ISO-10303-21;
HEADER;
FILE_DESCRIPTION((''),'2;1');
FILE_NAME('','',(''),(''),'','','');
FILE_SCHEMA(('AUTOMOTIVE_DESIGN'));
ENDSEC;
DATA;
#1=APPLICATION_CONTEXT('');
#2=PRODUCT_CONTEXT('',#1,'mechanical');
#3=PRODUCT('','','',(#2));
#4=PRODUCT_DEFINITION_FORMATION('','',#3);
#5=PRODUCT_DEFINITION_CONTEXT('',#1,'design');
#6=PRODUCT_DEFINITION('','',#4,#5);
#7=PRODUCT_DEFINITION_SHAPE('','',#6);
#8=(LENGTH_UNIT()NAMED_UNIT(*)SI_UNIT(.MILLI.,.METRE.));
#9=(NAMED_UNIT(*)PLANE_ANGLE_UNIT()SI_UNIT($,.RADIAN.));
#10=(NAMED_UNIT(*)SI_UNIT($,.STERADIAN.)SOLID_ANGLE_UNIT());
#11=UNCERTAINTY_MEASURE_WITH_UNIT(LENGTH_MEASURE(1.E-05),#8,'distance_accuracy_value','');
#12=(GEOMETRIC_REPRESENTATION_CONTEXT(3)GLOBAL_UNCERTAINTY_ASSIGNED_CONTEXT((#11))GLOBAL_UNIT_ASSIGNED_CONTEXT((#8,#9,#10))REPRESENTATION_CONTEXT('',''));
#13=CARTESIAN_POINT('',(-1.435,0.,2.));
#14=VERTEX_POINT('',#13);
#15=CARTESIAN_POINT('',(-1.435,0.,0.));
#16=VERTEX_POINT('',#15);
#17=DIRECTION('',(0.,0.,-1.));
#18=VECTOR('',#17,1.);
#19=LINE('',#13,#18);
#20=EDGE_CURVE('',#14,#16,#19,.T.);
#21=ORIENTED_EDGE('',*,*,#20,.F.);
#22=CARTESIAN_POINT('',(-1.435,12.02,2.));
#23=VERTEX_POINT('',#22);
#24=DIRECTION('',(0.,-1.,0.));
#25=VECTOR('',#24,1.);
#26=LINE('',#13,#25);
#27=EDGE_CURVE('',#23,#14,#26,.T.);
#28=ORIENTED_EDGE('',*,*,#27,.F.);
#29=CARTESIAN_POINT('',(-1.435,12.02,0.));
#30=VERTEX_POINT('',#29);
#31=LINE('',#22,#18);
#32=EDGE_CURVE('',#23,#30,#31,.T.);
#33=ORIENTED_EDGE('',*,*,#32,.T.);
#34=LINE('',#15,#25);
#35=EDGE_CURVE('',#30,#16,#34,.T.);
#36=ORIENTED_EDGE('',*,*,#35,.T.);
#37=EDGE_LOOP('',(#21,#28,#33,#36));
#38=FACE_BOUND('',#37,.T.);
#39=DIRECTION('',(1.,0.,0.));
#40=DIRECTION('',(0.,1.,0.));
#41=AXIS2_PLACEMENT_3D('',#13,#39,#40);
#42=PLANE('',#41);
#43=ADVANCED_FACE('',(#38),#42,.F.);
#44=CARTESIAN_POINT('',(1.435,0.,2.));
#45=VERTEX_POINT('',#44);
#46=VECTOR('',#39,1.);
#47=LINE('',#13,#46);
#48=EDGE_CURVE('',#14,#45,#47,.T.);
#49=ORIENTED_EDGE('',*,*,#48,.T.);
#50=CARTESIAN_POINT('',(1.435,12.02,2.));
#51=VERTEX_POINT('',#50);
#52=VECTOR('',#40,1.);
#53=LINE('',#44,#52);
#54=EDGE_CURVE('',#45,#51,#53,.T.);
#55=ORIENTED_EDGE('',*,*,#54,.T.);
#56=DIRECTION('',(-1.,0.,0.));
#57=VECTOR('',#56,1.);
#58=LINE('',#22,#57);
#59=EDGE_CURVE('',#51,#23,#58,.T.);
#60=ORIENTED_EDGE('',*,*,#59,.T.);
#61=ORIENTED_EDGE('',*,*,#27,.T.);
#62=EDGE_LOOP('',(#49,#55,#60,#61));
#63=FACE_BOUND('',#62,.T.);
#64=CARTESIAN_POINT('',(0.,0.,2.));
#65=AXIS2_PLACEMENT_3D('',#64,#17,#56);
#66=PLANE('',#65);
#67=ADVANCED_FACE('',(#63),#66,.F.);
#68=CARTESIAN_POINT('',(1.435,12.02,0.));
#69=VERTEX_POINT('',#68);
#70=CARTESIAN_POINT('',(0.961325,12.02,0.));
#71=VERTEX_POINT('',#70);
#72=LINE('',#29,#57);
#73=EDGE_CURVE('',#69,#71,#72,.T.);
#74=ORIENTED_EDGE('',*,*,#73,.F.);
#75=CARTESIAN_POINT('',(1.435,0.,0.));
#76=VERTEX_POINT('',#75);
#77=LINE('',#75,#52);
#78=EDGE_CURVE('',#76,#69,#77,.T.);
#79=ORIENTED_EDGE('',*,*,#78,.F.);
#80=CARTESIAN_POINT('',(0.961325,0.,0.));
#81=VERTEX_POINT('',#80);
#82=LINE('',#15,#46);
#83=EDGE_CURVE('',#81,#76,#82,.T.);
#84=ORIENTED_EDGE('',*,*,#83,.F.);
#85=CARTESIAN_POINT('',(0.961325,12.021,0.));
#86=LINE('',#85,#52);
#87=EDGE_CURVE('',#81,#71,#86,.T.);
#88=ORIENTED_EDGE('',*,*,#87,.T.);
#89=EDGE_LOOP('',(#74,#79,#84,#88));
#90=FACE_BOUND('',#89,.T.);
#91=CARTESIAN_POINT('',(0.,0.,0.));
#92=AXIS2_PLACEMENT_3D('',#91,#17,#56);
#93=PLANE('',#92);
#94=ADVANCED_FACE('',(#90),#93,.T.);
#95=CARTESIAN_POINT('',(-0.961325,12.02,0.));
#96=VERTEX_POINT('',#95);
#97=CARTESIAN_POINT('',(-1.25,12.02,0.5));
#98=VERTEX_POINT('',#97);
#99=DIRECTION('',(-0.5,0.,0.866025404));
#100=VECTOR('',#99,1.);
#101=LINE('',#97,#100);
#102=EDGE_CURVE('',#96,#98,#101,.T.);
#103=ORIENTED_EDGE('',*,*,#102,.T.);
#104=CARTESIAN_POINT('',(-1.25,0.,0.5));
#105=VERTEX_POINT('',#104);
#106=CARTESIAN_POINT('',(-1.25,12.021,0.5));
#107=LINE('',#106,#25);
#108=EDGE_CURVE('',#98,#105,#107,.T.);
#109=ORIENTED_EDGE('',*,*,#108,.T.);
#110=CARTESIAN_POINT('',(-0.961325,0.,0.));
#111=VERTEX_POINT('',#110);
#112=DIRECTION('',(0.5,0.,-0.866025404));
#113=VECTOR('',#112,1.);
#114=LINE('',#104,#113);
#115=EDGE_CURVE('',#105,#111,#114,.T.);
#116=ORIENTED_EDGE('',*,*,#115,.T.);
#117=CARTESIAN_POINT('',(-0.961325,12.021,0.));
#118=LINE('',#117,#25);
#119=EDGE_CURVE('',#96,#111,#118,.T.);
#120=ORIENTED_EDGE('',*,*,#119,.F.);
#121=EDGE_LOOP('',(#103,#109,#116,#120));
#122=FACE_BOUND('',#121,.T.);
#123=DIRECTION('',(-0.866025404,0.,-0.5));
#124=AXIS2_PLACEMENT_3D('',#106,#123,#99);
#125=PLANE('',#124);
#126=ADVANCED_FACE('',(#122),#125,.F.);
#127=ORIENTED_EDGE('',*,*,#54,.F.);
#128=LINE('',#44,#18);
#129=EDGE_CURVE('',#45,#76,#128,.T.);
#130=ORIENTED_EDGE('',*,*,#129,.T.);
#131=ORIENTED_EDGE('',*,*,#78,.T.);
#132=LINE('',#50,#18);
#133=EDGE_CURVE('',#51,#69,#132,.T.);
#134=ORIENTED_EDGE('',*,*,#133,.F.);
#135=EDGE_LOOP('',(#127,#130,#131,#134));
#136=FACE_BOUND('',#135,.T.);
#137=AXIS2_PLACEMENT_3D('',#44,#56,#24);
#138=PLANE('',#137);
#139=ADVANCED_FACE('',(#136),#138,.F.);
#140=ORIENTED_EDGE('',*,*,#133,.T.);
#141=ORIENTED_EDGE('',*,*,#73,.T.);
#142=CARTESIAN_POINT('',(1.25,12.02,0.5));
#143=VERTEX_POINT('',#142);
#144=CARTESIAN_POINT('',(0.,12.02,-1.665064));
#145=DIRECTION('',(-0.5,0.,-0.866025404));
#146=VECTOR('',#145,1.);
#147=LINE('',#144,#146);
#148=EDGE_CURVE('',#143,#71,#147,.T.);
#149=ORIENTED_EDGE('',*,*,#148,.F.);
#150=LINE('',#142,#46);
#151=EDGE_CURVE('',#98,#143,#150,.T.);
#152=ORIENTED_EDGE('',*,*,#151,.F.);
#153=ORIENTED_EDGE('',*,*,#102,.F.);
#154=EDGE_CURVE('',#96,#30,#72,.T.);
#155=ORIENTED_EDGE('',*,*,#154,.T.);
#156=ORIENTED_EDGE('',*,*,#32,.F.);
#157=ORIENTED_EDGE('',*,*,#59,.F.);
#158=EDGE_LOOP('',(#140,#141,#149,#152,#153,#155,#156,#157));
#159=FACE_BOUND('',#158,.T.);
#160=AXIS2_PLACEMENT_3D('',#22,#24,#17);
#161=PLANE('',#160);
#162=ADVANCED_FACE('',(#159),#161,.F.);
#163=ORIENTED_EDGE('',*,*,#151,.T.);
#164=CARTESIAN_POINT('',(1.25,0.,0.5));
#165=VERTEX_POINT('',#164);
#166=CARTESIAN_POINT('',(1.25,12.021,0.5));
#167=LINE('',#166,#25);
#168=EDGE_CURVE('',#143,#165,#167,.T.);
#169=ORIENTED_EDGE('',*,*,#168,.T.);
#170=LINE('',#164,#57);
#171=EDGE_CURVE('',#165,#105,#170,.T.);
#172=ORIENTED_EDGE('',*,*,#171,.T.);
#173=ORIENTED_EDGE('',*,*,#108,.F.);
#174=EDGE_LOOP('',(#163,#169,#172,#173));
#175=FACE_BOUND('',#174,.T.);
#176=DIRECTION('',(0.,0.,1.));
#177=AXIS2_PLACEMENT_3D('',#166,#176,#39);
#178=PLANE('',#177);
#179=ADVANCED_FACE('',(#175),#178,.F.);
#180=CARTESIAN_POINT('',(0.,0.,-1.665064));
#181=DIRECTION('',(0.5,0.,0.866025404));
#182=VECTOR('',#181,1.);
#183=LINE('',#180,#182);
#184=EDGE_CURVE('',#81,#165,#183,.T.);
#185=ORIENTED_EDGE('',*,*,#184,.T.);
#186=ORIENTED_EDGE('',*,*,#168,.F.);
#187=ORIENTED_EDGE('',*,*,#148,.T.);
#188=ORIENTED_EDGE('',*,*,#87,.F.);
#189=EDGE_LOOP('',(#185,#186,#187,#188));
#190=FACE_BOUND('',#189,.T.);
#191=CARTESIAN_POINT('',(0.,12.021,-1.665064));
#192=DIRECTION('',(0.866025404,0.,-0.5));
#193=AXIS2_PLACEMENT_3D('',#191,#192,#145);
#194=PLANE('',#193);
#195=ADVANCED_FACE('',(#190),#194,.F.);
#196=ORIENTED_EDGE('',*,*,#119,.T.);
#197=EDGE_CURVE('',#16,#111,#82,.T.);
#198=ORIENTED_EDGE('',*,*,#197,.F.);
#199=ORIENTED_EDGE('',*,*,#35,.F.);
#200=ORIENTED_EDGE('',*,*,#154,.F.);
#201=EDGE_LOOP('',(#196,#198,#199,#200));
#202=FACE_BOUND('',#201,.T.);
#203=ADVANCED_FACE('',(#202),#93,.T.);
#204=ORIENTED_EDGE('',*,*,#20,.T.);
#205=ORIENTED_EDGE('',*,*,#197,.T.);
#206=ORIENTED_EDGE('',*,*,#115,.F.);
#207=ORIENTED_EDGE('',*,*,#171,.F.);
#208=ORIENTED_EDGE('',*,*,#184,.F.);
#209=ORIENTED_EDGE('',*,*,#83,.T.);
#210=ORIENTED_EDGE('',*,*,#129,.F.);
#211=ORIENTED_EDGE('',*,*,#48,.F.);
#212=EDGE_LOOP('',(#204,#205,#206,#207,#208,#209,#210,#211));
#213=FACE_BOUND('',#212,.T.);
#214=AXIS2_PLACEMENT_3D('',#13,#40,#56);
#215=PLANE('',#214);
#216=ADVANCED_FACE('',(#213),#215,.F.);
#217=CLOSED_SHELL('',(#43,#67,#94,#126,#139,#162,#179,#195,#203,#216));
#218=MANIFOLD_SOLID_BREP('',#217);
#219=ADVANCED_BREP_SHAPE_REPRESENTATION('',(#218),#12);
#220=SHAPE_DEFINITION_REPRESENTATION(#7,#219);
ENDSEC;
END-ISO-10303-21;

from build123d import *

# Parameters (mm, degrees)
SKETCH1_W           = 2.87
SKETCH1_H           = 12.02
BOSS_EXTRUDE1_DEPTH = 2
CUT_EXTRUDE1_REACH  = 14.02


with BuildPart() as part:
    # Sketch1 → Boss-Extrude1 (new body)
    with BuildSketch(Plane.XY):
        with Locations((0, 6.01)):
            Rectangle(SKETCH1_W, SKETCH1_H)
    extrude(amount=BOSS_EXTRUDE1_DEPTH)

    # Sketch2 → Cut-Extrude1 (cut, up to next)
    with BuildSketch(Plane.XZ, mode=Mode.PRIVATE) as cut_extrude1_sk1:
        Polygon((0, -1.665063509), (1.25, 0.5), (-1.25, 0.5), align=None)
    cut_extrude1_tool1 = extrude(cut_extrude1_sk1.sketch, amount=-CUT_EXTRUDE1_REACH, mode=Mode.PRIVATE) & part.part
    add(cut_extrude1_tool1.solids().sort_by_distance((0, 0, -0.221688))[0], mode=Mode.SUBTRACT)


solid = part.part
